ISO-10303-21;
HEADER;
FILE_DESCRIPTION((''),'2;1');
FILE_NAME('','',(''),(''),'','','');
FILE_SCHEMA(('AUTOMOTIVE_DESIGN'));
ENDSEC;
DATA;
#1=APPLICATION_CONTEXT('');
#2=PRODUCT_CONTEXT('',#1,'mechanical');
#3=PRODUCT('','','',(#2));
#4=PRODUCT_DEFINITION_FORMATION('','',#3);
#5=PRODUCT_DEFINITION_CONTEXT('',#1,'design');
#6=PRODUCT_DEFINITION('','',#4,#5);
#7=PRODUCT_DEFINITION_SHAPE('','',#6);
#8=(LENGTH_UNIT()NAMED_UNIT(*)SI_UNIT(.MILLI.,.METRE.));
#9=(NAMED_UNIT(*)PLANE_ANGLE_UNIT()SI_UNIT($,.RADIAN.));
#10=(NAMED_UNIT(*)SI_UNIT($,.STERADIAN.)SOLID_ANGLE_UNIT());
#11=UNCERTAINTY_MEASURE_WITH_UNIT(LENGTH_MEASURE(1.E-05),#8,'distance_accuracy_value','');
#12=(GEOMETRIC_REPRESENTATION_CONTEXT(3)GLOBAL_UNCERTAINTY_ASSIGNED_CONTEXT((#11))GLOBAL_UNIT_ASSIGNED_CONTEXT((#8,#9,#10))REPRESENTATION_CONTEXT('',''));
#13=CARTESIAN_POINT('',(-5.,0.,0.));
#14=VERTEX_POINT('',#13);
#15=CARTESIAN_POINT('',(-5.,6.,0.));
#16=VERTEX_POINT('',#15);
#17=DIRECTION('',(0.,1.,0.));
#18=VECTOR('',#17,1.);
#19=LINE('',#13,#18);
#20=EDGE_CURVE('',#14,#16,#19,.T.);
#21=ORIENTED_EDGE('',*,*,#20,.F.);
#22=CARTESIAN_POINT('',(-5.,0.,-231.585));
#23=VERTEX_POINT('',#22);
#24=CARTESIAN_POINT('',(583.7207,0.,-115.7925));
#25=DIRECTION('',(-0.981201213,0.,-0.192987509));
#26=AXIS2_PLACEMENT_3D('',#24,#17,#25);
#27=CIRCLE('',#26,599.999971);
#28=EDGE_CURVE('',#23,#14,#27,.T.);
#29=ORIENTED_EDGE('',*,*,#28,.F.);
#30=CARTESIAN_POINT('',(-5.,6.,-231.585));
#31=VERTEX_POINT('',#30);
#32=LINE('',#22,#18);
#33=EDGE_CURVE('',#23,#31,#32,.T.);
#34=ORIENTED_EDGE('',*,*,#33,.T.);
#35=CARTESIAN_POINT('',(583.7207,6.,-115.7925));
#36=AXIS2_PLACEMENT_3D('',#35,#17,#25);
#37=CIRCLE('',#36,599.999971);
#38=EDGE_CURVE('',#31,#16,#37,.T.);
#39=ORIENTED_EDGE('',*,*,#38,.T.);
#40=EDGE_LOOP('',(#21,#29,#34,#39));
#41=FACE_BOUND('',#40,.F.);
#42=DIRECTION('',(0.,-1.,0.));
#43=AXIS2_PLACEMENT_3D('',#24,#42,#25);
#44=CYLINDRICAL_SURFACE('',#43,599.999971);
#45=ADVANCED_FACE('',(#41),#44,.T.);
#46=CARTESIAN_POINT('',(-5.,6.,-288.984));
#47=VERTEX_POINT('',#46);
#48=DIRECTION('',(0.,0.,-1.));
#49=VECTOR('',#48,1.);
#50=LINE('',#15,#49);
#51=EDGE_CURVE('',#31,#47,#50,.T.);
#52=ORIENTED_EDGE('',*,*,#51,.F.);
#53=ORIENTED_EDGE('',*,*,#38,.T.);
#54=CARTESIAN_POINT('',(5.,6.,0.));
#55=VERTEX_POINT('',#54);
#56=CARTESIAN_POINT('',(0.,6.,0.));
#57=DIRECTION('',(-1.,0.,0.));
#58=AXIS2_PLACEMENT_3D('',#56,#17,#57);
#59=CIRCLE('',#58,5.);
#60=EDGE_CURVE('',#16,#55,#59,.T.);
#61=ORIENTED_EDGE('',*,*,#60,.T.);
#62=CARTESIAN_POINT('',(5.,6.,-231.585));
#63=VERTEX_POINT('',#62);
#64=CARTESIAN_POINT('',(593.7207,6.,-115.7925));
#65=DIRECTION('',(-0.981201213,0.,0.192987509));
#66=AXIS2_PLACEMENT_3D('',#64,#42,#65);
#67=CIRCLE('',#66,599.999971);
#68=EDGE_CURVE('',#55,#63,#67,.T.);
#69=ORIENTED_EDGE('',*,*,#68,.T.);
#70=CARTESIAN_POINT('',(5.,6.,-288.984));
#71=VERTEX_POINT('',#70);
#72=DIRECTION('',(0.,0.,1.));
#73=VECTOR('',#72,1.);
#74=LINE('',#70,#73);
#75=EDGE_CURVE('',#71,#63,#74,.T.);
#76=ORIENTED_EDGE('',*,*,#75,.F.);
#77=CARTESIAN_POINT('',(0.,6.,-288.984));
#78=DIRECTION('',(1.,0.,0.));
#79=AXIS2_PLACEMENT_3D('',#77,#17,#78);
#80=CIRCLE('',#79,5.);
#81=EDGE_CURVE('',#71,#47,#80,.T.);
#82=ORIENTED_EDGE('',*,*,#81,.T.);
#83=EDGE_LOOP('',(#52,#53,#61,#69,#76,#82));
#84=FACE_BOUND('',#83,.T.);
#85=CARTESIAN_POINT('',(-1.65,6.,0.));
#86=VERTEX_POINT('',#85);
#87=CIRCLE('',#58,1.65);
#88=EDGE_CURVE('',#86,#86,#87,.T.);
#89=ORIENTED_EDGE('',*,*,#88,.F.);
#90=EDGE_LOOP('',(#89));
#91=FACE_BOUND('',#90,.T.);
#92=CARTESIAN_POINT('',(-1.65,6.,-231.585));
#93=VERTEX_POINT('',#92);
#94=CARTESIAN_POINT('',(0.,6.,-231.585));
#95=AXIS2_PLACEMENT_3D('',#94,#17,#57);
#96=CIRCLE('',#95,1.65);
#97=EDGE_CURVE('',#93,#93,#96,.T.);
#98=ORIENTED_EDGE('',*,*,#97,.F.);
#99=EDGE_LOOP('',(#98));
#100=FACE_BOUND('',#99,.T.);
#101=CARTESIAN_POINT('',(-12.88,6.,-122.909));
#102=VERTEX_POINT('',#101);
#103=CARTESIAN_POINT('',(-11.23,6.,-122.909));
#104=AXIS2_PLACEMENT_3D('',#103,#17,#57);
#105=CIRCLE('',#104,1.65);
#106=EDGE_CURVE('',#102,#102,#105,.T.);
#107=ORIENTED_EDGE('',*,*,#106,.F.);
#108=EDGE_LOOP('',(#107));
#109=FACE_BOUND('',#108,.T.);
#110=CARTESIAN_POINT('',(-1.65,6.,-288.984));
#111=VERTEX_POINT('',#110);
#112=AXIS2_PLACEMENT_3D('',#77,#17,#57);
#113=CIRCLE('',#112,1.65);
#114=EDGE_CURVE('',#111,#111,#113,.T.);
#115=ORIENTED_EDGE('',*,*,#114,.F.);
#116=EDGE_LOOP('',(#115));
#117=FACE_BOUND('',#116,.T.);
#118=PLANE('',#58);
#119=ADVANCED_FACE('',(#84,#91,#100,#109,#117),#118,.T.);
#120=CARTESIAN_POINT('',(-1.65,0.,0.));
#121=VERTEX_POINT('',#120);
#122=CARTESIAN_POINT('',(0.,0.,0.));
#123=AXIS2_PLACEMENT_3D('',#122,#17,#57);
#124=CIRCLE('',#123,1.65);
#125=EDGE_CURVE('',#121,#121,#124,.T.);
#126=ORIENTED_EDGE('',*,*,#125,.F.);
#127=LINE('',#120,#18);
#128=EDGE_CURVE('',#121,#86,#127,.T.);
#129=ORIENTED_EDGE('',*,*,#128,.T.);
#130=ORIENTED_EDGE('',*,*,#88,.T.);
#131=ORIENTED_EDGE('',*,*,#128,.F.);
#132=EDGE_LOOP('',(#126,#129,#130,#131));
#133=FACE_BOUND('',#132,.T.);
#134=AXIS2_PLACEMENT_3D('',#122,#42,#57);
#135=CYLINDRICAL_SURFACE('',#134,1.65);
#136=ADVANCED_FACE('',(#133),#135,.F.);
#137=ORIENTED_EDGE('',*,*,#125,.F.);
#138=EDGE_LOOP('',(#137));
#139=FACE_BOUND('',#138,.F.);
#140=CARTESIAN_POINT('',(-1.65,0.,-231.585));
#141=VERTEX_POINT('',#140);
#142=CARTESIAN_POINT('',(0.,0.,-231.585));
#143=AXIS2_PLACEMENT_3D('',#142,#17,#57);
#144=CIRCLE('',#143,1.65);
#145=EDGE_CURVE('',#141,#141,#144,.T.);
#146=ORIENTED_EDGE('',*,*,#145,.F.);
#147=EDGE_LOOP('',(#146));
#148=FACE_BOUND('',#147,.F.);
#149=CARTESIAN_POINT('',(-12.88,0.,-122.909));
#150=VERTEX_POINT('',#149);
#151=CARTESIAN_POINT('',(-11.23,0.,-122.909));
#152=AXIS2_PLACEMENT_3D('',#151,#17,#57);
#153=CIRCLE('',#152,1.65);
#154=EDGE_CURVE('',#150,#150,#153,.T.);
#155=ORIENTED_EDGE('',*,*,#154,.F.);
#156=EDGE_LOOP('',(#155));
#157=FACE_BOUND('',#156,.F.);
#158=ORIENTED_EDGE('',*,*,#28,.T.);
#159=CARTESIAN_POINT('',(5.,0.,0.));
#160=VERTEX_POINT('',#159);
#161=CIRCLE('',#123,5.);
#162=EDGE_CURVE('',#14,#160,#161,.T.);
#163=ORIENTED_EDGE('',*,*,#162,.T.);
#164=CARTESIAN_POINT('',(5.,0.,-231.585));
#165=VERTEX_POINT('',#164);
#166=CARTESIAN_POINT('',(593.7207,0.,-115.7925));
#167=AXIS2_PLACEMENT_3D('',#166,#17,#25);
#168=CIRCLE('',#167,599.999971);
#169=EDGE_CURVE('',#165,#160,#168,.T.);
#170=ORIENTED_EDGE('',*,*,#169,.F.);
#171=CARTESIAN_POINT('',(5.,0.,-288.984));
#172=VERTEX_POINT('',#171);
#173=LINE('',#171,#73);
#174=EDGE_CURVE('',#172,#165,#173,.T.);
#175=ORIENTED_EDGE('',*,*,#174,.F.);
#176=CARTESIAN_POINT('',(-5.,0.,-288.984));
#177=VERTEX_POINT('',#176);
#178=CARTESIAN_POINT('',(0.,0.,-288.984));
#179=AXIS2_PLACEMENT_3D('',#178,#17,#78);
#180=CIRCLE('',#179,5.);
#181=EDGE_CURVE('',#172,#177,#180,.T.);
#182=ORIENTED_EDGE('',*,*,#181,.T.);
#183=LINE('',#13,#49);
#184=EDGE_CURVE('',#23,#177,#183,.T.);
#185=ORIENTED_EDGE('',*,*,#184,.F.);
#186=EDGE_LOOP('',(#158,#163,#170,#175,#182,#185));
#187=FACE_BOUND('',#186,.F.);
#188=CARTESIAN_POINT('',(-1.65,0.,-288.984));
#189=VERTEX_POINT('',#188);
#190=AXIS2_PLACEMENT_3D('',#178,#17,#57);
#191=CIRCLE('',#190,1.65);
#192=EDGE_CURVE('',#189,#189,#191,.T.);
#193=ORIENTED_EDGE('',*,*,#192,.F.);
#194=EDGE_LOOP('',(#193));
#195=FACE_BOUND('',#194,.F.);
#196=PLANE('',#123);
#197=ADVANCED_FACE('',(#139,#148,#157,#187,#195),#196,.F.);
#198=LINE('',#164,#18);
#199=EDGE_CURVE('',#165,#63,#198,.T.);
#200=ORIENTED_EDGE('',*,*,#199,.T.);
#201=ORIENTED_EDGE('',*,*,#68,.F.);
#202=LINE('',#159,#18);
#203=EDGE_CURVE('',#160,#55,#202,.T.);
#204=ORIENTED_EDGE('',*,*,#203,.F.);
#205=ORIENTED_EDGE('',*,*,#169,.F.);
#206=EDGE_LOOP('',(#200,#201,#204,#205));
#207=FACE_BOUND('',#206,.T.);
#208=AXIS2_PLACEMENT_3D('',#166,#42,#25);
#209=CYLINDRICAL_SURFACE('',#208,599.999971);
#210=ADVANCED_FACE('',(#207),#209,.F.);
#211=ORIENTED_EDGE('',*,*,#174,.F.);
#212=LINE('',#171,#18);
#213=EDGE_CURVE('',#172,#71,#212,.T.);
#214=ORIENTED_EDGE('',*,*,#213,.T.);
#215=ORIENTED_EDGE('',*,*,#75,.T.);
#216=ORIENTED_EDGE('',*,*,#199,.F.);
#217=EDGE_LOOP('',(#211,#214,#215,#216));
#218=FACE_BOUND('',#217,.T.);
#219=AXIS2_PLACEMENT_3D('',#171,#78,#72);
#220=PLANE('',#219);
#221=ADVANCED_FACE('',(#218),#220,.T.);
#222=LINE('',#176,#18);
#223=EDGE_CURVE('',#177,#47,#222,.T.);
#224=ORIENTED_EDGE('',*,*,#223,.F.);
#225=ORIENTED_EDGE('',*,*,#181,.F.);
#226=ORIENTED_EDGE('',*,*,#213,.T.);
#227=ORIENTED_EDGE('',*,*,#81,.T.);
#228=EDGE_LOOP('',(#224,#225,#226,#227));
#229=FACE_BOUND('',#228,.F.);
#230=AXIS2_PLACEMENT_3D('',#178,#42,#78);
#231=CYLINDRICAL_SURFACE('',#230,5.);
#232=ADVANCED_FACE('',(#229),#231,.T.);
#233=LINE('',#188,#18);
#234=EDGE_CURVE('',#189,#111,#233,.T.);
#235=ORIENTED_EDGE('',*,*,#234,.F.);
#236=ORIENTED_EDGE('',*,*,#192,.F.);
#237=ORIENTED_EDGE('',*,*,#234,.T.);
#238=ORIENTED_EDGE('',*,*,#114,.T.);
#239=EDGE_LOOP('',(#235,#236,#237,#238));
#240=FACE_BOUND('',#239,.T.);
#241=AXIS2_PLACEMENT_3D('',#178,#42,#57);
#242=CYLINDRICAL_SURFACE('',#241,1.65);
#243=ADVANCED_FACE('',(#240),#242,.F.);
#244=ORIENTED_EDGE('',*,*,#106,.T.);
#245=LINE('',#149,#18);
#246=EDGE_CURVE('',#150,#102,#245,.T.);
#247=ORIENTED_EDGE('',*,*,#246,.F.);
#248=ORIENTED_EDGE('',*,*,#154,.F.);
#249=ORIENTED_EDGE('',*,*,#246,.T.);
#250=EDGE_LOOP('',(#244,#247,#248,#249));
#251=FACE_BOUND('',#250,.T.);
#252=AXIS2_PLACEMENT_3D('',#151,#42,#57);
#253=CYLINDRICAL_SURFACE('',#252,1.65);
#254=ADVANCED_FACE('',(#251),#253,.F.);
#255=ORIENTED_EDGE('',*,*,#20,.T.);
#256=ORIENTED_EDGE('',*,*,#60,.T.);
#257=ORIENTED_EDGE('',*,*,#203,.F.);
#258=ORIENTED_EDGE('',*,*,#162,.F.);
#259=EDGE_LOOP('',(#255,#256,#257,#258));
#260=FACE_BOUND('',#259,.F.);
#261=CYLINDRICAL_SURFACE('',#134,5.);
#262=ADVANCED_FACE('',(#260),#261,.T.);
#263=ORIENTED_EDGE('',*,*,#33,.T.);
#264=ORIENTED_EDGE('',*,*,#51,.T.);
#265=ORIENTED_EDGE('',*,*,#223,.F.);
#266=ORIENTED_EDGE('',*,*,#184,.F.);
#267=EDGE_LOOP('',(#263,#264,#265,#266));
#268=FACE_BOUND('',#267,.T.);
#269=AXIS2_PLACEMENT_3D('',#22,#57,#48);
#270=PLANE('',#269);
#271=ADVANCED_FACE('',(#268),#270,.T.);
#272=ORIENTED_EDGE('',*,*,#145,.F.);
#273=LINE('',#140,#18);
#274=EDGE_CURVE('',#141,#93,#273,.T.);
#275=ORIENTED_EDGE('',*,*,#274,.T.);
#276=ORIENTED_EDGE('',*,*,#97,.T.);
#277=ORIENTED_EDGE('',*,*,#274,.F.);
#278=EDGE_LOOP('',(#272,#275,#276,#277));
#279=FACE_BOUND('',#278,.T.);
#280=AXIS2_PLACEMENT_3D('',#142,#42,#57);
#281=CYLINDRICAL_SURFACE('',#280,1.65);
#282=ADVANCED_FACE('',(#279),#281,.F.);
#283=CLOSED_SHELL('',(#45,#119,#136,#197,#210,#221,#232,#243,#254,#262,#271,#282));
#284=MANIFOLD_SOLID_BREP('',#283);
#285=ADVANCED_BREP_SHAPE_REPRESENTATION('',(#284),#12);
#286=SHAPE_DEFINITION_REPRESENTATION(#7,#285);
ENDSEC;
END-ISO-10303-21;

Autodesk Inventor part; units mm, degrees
ref_plane "YZ Plane" through (0, 0, 0) normal (1, 0, 0) x (0, 1, 0)
ref_plane "XZ Plane" through (0, 0, 0) normal (0, 1, 0) x (-1, 0, 0)
ref_plane "XY Plane" through (0, 0, 0) normal (0, 0, 1) x (1, 0, 0)
sketch "Sketch1" plane through (0, 0, 0) normal (0, 1, 0) x (-1, 0, 0)
  line L0 (0, 0) -> (0, -288.984) construction
  line L1 (5, 0) -> (5, -288.984)
  line L2 (-5, -288.984) -> (-5, 0)
  arc A0 (5, 0) -> (-5, 0) centre (0, 0) ccw
  arc A1 (-5, -288.984) -> (5, -288.984) centre (0, -288.984) ccw
  circle A2 centre (0, 0) radius 1.65
  circle A3 centre (0, -288.984) radius 1.65
  circle A4 centre (0, -231.585) radius 1.65
  arc A5 (-5, -231.585) -> (-5, 0) centre (-593.7207, -115.7925) ccw
  arc A6 (5, -231.585) -> (5, 0) centre (-583.7207, -115.7925) ccw
  circle A7 centre (11.23, -122.909) radius 1.65
  point P0 (0, -144.492)
  dimension "d0" = 3.3
  dimension "d1" = 3.3
  dimension "d2" = 10
  dimension "d3" = 288.984
  dimension "d14" = 3.3
  dimension "d15" = 231.585
  dimension "d18" = 600
  dimension "d19" = 600
  dimension "d20" = 3.3
  dimension "d21" = 122.909
extrude "Extrusion1" add sketch "Sketch1" along normal blind 6 contours L1 A1 L2 A5 | L1 A5 A6 | L1 A5 A0
